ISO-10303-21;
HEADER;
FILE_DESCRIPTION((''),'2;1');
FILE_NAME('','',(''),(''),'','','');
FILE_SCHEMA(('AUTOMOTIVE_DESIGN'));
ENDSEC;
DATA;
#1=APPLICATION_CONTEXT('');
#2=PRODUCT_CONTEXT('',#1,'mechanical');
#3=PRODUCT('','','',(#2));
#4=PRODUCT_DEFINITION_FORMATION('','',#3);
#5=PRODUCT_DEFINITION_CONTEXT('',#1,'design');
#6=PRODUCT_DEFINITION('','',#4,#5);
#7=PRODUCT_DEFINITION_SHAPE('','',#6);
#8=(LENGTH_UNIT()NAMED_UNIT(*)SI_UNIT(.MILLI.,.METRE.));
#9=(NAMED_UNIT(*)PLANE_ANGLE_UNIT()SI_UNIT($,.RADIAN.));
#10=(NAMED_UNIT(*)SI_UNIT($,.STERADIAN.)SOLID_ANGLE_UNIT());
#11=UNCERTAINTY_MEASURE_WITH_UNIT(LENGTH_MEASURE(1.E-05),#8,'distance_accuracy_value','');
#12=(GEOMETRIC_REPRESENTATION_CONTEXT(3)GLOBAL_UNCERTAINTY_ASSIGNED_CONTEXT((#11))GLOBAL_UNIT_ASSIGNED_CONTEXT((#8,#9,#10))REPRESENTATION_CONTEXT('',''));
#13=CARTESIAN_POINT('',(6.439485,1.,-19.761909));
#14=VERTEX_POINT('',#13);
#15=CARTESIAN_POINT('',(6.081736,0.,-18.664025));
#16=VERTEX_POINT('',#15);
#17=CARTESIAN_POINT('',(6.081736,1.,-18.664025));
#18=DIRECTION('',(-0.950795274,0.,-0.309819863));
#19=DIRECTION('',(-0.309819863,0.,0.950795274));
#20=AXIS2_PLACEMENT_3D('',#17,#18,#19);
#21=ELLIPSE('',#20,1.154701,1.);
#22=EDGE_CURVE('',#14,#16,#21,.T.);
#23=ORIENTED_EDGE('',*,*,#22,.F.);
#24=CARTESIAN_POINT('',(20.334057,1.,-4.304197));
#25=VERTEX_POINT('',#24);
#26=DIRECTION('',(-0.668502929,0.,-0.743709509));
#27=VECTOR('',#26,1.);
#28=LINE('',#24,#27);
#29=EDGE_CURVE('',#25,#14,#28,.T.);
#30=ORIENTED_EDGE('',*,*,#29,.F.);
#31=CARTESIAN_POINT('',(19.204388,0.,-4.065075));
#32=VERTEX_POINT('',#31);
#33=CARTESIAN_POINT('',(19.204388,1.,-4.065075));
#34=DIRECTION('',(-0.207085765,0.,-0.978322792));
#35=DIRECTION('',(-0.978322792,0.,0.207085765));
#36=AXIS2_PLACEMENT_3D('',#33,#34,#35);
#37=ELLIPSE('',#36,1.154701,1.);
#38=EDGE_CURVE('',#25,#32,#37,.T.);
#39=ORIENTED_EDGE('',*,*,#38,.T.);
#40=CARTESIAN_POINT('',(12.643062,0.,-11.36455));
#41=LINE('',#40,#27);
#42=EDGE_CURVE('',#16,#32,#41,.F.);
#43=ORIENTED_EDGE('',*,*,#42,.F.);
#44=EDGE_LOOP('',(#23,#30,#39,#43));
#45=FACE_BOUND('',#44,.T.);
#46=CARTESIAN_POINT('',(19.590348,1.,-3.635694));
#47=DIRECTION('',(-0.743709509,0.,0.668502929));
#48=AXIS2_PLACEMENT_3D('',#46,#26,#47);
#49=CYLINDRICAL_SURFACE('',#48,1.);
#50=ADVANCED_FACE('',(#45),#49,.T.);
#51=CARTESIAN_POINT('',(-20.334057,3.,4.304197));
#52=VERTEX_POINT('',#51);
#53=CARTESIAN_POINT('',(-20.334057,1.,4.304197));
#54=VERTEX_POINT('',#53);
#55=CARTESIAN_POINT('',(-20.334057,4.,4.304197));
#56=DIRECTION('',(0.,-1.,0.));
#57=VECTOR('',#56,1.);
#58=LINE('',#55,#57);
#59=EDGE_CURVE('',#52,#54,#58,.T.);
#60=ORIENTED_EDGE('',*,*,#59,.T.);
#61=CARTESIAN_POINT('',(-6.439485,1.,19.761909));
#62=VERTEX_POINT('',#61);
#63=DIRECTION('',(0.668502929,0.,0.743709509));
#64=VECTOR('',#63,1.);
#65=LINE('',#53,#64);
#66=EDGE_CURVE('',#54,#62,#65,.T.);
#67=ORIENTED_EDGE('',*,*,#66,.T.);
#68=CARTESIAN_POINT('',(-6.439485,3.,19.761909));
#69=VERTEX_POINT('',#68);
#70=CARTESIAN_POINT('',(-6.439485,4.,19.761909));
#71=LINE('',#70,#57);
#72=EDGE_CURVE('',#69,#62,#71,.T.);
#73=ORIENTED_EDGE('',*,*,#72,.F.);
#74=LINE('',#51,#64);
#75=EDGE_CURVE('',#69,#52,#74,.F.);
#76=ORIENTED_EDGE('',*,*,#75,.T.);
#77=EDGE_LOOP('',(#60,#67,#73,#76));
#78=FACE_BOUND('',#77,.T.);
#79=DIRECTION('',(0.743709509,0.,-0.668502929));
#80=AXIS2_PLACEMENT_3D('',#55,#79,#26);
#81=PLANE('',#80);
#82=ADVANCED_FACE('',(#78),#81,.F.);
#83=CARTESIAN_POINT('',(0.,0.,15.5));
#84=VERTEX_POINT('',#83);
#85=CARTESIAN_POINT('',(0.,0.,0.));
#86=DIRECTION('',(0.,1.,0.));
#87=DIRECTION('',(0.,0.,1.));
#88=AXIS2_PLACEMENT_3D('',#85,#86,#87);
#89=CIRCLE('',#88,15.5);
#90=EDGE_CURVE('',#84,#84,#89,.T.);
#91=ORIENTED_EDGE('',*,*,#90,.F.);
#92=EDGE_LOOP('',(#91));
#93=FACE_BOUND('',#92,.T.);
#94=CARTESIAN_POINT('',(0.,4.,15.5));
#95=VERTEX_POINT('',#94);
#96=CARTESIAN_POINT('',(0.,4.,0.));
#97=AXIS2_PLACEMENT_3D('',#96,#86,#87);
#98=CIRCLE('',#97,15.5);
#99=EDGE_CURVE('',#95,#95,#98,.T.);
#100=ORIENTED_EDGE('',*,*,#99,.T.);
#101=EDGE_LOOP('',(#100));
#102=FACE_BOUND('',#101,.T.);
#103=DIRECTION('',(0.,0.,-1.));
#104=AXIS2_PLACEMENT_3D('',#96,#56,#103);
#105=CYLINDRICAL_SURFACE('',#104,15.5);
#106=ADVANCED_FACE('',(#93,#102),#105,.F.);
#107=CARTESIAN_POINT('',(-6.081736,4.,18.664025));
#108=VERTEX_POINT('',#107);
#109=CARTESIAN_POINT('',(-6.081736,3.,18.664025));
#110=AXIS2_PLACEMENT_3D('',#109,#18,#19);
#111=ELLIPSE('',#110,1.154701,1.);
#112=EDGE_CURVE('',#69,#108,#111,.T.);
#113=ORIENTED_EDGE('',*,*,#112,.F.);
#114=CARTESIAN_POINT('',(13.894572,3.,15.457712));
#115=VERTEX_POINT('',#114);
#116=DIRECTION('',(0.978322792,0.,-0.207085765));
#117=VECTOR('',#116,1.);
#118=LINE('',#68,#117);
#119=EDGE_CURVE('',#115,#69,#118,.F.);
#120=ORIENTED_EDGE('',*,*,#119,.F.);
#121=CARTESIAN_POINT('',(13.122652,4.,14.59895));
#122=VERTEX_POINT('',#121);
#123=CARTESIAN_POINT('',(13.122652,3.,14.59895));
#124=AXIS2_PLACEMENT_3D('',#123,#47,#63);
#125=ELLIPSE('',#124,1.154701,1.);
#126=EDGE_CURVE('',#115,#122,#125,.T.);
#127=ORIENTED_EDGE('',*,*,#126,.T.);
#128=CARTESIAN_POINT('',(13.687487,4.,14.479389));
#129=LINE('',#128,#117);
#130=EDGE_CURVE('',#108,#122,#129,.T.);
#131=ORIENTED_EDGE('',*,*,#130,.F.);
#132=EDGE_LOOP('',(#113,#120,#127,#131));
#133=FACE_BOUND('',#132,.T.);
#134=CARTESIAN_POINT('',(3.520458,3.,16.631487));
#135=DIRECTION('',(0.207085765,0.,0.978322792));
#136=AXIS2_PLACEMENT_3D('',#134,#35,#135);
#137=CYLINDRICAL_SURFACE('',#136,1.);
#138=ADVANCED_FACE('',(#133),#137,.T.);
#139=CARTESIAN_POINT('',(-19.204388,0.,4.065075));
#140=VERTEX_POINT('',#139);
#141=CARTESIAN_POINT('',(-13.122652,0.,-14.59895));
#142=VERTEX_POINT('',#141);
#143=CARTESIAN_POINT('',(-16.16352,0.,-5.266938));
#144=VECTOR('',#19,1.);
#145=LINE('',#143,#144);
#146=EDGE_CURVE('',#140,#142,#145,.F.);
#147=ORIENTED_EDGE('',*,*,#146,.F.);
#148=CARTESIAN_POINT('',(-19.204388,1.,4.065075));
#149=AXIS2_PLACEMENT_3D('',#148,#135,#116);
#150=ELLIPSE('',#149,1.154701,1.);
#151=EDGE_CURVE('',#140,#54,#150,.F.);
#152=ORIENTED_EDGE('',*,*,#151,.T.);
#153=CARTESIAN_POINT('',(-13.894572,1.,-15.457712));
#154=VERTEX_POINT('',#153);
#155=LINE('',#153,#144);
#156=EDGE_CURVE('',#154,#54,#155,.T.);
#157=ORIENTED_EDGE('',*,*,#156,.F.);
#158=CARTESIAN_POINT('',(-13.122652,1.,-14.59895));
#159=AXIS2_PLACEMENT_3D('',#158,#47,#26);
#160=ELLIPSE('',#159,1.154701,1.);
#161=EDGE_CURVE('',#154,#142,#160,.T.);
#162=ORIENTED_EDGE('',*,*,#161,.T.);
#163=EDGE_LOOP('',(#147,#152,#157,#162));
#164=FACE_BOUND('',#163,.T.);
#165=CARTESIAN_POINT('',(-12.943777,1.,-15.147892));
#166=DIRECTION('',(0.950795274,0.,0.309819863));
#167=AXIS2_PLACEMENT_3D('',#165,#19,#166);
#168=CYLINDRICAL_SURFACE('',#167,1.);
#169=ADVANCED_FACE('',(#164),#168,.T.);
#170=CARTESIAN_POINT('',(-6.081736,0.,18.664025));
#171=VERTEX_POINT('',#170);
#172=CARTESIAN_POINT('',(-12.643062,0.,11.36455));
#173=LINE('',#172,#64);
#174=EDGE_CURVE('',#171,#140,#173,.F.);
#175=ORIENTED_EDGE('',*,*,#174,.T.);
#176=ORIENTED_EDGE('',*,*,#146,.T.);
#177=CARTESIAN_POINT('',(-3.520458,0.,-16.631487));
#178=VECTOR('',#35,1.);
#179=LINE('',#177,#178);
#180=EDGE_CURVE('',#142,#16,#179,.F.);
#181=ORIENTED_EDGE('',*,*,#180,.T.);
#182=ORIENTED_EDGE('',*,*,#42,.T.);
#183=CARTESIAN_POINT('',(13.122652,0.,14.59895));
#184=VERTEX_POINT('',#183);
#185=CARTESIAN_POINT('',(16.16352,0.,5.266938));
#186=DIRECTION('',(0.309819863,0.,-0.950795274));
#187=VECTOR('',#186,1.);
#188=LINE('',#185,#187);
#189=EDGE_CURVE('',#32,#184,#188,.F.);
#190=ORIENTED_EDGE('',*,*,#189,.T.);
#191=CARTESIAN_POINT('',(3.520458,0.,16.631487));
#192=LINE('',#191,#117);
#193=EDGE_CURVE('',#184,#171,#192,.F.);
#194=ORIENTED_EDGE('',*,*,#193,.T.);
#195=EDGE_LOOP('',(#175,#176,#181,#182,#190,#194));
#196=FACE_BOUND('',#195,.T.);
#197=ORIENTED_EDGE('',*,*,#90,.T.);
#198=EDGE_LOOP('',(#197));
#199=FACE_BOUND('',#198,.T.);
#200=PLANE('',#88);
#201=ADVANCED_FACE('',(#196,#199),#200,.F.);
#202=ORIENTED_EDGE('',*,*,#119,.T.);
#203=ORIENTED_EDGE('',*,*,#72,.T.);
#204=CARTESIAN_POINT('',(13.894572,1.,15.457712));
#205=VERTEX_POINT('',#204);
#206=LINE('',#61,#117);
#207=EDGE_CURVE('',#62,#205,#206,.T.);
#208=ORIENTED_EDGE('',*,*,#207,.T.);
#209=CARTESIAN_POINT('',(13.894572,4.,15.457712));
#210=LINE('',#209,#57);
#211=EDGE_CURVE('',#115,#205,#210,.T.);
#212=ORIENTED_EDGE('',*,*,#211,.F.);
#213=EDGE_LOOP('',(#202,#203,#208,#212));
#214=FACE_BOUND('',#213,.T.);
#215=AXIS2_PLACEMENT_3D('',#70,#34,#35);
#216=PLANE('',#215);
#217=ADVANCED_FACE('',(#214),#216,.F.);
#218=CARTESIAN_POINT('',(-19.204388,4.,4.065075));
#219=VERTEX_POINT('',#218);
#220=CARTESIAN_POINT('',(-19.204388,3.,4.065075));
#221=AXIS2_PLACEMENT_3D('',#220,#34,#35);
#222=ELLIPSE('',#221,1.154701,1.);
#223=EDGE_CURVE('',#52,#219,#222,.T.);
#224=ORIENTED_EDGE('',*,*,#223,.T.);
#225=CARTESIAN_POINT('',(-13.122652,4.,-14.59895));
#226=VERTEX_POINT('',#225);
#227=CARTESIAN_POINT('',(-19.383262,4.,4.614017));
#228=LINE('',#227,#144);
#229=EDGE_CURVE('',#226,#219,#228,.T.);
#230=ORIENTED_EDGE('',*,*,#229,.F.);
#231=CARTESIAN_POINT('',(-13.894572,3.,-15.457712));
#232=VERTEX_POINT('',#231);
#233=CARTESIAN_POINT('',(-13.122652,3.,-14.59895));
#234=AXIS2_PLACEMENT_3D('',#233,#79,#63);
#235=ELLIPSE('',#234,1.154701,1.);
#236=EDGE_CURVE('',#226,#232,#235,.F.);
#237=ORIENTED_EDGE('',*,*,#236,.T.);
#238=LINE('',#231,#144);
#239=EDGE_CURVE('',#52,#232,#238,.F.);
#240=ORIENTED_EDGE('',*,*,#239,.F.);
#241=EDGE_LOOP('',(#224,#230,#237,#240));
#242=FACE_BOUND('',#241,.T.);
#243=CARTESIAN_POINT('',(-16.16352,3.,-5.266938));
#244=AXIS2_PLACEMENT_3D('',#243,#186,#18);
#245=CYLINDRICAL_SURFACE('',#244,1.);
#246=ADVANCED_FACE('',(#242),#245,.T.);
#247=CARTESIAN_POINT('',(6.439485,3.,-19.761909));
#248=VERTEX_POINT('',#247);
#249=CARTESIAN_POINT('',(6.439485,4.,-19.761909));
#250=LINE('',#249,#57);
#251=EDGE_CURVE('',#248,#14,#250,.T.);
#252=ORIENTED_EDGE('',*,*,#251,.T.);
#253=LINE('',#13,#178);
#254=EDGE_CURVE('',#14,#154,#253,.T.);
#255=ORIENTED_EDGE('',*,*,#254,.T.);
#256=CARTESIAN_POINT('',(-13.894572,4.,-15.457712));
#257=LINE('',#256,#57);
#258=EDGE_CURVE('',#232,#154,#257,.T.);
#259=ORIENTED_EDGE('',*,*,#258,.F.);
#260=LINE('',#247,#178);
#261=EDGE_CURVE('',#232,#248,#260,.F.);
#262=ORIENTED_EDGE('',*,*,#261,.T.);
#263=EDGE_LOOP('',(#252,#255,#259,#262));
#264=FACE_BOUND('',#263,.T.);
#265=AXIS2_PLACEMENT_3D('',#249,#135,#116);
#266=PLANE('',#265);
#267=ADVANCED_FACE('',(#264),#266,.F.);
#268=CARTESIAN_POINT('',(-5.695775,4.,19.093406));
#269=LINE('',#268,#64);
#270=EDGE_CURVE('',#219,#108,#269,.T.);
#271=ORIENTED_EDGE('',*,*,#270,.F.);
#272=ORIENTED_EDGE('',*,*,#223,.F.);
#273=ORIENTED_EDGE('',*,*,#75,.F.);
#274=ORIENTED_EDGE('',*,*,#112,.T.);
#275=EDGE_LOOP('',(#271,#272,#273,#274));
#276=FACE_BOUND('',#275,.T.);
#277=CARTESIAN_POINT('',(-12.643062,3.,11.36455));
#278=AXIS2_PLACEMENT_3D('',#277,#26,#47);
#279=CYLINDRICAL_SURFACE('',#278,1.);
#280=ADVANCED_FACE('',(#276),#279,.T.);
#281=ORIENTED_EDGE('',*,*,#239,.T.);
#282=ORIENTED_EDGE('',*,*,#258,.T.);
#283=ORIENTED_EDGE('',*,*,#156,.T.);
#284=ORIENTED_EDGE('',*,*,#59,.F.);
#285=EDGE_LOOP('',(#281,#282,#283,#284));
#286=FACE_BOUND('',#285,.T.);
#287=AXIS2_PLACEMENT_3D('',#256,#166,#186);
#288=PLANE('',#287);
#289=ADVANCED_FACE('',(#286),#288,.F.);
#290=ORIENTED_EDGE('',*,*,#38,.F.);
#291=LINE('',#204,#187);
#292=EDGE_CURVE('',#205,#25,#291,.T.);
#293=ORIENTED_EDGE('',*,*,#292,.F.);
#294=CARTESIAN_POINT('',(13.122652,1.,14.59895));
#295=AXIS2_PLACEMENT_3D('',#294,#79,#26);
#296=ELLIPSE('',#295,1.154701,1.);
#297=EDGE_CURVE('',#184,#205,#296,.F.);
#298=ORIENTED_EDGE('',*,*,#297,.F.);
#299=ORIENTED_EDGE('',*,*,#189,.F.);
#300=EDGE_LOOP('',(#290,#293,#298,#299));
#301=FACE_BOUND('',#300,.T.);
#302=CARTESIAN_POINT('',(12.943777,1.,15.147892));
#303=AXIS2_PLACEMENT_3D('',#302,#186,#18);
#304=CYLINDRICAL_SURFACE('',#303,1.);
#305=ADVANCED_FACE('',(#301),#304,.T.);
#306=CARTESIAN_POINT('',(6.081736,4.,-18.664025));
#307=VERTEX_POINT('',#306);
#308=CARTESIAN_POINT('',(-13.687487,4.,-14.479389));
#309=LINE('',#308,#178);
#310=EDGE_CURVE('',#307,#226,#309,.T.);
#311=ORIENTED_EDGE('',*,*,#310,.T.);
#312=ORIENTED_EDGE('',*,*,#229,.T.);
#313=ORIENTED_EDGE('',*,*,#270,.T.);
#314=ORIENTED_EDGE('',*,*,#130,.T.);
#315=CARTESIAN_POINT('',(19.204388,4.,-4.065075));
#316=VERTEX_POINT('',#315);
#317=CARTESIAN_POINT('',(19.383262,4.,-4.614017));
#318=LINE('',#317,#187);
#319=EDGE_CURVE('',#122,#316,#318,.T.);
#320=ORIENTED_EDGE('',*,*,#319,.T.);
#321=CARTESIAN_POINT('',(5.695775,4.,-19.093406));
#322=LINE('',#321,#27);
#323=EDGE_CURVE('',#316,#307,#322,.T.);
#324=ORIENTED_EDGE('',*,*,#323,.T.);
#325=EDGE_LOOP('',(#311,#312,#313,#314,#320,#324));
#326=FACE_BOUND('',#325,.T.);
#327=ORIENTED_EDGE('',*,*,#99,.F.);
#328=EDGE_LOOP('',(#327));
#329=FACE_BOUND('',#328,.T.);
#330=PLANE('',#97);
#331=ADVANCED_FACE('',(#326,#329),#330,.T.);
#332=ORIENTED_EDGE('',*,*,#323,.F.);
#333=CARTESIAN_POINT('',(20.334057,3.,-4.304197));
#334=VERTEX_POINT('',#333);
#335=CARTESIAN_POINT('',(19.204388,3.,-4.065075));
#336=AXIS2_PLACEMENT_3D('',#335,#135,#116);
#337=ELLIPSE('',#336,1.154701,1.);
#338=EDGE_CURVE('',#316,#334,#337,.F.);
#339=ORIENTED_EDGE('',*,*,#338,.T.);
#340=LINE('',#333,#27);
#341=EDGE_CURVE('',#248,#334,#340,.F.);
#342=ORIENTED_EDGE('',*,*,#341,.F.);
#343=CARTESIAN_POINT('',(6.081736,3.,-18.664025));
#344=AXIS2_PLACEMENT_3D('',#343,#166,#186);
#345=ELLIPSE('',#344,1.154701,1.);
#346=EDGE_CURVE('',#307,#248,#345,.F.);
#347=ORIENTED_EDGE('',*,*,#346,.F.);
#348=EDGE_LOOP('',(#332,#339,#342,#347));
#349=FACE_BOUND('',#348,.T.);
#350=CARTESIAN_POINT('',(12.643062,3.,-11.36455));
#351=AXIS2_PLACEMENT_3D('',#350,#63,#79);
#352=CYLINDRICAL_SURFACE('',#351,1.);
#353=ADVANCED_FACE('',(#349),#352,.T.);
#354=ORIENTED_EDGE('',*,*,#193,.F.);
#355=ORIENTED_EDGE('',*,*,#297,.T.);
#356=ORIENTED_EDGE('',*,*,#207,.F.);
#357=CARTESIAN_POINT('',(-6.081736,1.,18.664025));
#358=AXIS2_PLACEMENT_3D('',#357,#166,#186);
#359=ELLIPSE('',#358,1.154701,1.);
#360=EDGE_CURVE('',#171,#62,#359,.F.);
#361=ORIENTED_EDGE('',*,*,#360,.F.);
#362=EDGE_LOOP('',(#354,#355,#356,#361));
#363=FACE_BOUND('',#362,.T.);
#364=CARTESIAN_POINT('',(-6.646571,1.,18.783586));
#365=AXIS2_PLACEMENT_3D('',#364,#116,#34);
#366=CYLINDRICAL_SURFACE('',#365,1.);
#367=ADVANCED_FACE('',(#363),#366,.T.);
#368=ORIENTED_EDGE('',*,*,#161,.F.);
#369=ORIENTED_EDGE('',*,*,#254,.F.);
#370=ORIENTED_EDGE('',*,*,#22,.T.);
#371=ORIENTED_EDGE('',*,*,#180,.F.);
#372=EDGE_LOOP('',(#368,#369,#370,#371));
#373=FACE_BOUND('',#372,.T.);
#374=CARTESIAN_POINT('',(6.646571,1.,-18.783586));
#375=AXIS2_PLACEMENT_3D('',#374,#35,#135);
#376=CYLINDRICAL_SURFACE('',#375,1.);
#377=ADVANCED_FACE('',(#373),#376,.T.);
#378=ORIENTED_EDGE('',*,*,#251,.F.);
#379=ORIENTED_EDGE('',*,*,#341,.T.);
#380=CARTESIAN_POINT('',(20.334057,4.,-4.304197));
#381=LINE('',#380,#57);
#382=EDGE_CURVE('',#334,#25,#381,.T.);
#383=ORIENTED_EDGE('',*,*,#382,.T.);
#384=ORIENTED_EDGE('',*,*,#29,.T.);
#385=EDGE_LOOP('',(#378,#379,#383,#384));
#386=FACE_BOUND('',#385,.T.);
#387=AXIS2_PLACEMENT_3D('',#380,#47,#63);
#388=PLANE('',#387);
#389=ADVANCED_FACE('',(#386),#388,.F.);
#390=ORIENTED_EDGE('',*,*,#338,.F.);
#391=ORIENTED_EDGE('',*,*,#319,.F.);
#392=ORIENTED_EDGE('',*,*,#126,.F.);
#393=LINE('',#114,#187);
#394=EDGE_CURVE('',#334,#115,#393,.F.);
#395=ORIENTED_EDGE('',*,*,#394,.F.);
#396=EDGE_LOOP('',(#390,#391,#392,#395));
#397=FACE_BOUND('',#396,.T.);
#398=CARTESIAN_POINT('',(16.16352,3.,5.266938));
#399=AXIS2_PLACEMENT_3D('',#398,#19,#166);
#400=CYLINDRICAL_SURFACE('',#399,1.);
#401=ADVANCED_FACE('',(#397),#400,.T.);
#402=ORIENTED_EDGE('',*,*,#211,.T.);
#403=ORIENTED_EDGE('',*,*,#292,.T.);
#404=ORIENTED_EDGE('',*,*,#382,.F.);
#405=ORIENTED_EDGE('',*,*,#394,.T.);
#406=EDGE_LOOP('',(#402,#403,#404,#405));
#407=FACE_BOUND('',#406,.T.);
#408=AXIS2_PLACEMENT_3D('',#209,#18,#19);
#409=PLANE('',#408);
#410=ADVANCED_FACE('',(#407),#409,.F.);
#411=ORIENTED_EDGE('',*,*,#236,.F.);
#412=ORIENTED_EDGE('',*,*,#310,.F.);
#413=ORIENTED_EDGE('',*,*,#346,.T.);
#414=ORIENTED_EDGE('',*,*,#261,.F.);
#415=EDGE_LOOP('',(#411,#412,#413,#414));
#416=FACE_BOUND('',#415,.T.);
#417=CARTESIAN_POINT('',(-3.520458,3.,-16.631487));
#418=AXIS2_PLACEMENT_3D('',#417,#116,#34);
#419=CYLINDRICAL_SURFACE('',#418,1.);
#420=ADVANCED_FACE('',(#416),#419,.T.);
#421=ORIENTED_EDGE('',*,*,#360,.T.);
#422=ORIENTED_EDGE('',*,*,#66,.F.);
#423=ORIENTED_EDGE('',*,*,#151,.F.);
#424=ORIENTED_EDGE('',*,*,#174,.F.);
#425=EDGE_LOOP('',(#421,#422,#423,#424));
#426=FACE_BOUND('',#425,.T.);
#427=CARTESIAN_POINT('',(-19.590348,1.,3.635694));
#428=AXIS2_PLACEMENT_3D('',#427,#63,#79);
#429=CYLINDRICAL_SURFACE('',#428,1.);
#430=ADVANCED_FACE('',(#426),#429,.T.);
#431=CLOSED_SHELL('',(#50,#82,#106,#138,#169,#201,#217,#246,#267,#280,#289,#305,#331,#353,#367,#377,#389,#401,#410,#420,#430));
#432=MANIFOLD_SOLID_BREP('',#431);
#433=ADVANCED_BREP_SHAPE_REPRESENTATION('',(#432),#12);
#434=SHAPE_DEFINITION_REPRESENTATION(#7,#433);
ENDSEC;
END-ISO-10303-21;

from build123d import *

# Parameters (mm, degrees)
SKETCH_1_R      = 15.5
EXTRUDE_1_DEPTH = 4
FILLET_1_R      = 1


with BuildPart() as part:
    # 草图1 → 凸台-拉伸1 (new body)
    with BuildSketch(Plane(origin=(0, 0, 0), x_dir=(1, 0, 0), z_dir=(0, 1, 0))):
        Polygon((13.894572462, -15.457711864), (20.33405739, 4.304196795), (6.439484928, 19.761908659), (-13.894572462, 15.457711864), (-20.33405739, -4.304196795), (-6.439484928, -19.761908659), align=None)
        Circle(SKETCH_1_R, mode=Mode.SUBTRACT)
    extrude(amount=EXTRUDE_1_DEPTH)

    # 圆角1
    fillet_1_edges = [part.edges().sort_by_distance(p)[0] for p in [
        (13.386771159, 4, -12.033052727),
        (-3.727543767, 4, -17.609810262),
        (-17.114314926, 4, -5.576757535),
        (-13.386771159, 4, 12.033052727),
        (3.727543767, 4, 17.609810262),
        (-13.386771159, 0, 12.033052727),
        (-17.114314926, 0, -5.576757535),
        (-3.727543767, 0, -17.609810262),
        (17.114314926, 4, 5.576757535),
        (13.386771159, 0, -12.033052727),
        (17.114314926, 0, 5.576757535),
        (3.727543767, 0, 17.609810262),
    ]]
    fillet(fillet_1_edges, radius=FILLET_1_R)


solid = part.part
